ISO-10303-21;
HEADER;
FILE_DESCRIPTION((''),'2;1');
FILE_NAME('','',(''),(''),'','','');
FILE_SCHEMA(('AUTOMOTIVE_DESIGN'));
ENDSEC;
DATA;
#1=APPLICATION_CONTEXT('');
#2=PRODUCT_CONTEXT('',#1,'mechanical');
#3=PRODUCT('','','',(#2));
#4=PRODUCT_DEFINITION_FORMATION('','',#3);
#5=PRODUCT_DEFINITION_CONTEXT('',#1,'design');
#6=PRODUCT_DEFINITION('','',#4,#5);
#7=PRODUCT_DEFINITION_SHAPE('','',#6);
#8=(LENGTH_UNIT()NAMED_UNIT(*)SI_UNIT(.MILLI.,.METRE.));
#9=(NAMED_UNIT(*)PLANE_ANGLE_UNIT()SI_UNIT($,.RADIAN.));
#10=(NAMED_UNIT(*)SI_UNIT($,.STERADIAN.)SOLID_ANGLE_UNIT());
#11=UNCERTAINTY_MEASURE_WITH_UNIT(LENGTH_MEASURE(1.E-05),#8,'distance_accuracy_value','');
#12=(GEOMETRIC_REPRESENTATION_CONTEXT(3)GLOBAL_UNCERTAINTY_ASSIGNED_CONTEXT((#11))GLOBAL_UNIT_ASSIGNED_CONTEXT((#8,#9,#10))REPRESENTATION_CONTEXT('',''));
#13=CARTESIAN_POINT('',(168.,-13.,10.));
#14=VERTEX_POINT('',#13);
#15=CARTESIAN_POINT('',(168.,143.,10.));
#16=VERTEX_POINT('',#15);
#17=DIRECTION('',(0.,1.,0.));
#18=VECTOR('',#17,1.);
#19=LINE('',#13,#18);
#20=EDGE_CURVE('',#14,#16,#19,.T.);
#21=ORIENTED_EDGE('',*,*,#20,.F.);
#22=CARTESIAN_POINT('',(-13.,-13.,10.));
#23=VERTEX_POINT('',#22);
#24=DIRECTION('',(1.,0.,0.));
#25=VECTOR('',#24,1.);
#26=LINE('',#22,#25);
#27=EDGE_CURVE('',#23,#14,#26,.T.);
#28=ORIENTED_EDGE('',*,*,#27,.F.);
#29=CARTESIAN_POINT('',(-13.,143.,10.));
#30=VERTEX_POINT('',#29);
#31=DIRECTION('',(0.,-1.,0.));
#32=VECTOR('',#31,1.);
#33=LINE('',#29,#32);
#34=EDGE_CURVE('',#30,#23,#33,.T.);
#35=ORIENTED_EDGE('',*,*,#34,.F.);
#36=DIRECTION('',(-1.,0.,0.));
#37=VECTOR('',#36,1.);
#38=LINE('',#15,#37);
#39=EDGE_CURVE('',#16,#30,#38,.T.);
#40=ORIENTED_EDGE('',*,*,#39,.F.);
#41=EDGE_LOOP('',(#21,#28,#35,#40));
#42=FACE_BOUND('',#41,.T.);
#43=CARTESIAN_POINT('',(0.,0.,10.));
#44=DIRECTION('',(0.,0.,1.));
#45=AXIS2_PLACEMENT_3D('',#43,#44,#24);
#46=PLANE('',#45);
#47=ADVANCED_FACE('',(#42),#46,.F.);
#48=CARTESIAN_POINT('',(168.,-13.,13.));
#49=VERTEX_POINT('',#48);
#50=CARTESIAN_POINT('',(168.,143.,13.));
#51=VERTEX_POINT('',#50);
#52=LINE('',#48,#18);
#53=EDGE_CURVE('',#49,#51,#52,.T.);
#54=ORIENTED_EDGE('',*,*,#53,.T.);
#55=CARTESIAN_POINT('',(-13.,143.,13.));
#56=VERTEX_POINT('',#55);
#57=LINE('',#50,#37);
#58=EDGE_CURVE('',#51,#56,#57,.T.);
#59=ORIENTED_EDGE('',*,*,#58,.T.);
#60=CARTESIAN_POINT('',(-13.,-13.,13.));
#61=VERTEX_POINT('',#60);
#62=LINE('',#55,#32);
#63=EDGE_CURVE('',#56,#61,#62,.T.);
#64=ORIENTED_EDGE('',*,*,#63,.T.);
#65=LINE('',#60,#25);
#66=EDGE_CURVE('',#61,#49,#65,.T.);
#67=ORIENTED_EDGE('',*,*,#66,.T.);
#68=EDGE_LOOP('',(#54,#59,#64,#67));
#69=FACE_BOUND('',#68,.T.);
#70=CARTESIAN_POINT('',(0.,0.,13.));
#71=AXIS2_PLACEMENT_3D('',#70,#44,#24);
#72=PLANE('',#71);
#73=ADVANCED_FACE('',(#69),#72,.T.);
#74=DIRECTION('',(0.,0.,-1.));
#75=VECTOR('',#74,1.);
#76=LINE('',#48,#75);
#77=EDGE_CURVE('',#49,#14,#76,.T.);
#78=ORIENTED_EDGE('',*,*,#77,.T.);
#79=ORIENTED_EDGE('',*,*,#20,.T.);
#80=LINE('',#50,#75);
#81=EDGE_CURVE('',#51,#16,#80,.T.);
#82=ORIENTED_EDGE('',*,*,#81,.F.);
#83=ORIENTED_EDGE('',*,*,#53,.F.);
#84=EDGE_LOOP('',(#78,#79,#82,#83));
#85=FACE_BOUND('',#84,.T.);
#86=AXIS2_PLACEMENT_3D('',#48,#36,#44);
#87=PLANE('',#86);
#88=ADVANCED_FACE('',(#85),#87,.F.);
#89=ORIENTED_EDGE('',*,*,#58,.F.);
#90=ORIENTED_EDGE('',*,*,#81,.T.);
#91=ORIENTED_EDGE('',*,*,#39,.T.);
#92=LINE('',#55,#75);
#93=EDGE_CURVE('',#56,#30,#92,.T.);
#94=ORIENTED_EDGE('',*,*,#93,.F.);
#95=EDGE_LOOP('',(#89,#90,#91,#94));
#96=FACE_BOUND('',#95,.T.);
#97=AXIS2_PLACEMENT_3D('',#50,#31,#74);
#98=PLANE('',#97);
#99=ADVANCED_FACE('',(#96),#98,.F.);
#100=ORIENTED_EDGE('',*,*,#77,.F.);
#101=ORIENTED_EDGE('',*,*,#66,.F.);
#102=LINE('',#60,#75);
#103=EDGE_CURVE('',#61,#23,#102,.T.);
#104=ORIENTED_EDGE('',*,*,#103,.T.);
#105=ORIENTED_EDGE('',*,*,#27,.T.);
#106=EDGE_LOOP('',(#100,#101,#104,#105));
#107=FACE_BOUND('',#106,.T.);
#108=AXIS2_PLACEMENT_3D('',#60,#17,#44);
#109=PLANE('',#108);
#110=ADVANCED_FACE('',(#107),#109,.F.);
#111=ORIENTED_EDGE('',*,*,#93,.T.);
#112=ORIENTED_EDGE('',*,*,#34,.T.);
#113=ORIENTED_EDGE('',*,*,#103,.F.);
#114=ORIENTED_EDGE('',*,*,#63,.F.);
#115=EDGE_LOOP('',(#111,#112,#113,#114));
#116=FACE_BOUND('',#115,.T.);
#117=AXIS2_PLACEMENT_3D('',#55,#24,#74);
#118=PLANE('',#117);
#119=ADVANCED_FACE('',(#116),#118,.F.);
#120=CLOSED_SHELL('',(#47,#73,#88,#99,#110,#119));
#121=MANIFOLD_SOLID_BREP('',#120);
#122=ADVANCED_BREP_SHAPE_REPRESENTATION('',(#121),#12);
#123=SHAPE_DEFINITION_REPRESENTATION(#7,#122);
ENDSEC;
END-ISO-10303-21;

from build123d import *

# Parameters (mm, degrees)
SKETCH1_W           = 181
SKETCH1_H           = 156
BOSS_EXTRUDE1_DEPTH = 3


with BuildPart() as part:
    # Sketch1 → Boss-Extrude1 (new body)
    with BuildSketch(Plane.XY.offset(10)):
        with Locations((77.5, 65)):
            Rectangle(SKETCH1_W, SKETCH1_H)
    extrude(amount=BOSS_EXTRUDE1_DEPTH)


solid = part.part
